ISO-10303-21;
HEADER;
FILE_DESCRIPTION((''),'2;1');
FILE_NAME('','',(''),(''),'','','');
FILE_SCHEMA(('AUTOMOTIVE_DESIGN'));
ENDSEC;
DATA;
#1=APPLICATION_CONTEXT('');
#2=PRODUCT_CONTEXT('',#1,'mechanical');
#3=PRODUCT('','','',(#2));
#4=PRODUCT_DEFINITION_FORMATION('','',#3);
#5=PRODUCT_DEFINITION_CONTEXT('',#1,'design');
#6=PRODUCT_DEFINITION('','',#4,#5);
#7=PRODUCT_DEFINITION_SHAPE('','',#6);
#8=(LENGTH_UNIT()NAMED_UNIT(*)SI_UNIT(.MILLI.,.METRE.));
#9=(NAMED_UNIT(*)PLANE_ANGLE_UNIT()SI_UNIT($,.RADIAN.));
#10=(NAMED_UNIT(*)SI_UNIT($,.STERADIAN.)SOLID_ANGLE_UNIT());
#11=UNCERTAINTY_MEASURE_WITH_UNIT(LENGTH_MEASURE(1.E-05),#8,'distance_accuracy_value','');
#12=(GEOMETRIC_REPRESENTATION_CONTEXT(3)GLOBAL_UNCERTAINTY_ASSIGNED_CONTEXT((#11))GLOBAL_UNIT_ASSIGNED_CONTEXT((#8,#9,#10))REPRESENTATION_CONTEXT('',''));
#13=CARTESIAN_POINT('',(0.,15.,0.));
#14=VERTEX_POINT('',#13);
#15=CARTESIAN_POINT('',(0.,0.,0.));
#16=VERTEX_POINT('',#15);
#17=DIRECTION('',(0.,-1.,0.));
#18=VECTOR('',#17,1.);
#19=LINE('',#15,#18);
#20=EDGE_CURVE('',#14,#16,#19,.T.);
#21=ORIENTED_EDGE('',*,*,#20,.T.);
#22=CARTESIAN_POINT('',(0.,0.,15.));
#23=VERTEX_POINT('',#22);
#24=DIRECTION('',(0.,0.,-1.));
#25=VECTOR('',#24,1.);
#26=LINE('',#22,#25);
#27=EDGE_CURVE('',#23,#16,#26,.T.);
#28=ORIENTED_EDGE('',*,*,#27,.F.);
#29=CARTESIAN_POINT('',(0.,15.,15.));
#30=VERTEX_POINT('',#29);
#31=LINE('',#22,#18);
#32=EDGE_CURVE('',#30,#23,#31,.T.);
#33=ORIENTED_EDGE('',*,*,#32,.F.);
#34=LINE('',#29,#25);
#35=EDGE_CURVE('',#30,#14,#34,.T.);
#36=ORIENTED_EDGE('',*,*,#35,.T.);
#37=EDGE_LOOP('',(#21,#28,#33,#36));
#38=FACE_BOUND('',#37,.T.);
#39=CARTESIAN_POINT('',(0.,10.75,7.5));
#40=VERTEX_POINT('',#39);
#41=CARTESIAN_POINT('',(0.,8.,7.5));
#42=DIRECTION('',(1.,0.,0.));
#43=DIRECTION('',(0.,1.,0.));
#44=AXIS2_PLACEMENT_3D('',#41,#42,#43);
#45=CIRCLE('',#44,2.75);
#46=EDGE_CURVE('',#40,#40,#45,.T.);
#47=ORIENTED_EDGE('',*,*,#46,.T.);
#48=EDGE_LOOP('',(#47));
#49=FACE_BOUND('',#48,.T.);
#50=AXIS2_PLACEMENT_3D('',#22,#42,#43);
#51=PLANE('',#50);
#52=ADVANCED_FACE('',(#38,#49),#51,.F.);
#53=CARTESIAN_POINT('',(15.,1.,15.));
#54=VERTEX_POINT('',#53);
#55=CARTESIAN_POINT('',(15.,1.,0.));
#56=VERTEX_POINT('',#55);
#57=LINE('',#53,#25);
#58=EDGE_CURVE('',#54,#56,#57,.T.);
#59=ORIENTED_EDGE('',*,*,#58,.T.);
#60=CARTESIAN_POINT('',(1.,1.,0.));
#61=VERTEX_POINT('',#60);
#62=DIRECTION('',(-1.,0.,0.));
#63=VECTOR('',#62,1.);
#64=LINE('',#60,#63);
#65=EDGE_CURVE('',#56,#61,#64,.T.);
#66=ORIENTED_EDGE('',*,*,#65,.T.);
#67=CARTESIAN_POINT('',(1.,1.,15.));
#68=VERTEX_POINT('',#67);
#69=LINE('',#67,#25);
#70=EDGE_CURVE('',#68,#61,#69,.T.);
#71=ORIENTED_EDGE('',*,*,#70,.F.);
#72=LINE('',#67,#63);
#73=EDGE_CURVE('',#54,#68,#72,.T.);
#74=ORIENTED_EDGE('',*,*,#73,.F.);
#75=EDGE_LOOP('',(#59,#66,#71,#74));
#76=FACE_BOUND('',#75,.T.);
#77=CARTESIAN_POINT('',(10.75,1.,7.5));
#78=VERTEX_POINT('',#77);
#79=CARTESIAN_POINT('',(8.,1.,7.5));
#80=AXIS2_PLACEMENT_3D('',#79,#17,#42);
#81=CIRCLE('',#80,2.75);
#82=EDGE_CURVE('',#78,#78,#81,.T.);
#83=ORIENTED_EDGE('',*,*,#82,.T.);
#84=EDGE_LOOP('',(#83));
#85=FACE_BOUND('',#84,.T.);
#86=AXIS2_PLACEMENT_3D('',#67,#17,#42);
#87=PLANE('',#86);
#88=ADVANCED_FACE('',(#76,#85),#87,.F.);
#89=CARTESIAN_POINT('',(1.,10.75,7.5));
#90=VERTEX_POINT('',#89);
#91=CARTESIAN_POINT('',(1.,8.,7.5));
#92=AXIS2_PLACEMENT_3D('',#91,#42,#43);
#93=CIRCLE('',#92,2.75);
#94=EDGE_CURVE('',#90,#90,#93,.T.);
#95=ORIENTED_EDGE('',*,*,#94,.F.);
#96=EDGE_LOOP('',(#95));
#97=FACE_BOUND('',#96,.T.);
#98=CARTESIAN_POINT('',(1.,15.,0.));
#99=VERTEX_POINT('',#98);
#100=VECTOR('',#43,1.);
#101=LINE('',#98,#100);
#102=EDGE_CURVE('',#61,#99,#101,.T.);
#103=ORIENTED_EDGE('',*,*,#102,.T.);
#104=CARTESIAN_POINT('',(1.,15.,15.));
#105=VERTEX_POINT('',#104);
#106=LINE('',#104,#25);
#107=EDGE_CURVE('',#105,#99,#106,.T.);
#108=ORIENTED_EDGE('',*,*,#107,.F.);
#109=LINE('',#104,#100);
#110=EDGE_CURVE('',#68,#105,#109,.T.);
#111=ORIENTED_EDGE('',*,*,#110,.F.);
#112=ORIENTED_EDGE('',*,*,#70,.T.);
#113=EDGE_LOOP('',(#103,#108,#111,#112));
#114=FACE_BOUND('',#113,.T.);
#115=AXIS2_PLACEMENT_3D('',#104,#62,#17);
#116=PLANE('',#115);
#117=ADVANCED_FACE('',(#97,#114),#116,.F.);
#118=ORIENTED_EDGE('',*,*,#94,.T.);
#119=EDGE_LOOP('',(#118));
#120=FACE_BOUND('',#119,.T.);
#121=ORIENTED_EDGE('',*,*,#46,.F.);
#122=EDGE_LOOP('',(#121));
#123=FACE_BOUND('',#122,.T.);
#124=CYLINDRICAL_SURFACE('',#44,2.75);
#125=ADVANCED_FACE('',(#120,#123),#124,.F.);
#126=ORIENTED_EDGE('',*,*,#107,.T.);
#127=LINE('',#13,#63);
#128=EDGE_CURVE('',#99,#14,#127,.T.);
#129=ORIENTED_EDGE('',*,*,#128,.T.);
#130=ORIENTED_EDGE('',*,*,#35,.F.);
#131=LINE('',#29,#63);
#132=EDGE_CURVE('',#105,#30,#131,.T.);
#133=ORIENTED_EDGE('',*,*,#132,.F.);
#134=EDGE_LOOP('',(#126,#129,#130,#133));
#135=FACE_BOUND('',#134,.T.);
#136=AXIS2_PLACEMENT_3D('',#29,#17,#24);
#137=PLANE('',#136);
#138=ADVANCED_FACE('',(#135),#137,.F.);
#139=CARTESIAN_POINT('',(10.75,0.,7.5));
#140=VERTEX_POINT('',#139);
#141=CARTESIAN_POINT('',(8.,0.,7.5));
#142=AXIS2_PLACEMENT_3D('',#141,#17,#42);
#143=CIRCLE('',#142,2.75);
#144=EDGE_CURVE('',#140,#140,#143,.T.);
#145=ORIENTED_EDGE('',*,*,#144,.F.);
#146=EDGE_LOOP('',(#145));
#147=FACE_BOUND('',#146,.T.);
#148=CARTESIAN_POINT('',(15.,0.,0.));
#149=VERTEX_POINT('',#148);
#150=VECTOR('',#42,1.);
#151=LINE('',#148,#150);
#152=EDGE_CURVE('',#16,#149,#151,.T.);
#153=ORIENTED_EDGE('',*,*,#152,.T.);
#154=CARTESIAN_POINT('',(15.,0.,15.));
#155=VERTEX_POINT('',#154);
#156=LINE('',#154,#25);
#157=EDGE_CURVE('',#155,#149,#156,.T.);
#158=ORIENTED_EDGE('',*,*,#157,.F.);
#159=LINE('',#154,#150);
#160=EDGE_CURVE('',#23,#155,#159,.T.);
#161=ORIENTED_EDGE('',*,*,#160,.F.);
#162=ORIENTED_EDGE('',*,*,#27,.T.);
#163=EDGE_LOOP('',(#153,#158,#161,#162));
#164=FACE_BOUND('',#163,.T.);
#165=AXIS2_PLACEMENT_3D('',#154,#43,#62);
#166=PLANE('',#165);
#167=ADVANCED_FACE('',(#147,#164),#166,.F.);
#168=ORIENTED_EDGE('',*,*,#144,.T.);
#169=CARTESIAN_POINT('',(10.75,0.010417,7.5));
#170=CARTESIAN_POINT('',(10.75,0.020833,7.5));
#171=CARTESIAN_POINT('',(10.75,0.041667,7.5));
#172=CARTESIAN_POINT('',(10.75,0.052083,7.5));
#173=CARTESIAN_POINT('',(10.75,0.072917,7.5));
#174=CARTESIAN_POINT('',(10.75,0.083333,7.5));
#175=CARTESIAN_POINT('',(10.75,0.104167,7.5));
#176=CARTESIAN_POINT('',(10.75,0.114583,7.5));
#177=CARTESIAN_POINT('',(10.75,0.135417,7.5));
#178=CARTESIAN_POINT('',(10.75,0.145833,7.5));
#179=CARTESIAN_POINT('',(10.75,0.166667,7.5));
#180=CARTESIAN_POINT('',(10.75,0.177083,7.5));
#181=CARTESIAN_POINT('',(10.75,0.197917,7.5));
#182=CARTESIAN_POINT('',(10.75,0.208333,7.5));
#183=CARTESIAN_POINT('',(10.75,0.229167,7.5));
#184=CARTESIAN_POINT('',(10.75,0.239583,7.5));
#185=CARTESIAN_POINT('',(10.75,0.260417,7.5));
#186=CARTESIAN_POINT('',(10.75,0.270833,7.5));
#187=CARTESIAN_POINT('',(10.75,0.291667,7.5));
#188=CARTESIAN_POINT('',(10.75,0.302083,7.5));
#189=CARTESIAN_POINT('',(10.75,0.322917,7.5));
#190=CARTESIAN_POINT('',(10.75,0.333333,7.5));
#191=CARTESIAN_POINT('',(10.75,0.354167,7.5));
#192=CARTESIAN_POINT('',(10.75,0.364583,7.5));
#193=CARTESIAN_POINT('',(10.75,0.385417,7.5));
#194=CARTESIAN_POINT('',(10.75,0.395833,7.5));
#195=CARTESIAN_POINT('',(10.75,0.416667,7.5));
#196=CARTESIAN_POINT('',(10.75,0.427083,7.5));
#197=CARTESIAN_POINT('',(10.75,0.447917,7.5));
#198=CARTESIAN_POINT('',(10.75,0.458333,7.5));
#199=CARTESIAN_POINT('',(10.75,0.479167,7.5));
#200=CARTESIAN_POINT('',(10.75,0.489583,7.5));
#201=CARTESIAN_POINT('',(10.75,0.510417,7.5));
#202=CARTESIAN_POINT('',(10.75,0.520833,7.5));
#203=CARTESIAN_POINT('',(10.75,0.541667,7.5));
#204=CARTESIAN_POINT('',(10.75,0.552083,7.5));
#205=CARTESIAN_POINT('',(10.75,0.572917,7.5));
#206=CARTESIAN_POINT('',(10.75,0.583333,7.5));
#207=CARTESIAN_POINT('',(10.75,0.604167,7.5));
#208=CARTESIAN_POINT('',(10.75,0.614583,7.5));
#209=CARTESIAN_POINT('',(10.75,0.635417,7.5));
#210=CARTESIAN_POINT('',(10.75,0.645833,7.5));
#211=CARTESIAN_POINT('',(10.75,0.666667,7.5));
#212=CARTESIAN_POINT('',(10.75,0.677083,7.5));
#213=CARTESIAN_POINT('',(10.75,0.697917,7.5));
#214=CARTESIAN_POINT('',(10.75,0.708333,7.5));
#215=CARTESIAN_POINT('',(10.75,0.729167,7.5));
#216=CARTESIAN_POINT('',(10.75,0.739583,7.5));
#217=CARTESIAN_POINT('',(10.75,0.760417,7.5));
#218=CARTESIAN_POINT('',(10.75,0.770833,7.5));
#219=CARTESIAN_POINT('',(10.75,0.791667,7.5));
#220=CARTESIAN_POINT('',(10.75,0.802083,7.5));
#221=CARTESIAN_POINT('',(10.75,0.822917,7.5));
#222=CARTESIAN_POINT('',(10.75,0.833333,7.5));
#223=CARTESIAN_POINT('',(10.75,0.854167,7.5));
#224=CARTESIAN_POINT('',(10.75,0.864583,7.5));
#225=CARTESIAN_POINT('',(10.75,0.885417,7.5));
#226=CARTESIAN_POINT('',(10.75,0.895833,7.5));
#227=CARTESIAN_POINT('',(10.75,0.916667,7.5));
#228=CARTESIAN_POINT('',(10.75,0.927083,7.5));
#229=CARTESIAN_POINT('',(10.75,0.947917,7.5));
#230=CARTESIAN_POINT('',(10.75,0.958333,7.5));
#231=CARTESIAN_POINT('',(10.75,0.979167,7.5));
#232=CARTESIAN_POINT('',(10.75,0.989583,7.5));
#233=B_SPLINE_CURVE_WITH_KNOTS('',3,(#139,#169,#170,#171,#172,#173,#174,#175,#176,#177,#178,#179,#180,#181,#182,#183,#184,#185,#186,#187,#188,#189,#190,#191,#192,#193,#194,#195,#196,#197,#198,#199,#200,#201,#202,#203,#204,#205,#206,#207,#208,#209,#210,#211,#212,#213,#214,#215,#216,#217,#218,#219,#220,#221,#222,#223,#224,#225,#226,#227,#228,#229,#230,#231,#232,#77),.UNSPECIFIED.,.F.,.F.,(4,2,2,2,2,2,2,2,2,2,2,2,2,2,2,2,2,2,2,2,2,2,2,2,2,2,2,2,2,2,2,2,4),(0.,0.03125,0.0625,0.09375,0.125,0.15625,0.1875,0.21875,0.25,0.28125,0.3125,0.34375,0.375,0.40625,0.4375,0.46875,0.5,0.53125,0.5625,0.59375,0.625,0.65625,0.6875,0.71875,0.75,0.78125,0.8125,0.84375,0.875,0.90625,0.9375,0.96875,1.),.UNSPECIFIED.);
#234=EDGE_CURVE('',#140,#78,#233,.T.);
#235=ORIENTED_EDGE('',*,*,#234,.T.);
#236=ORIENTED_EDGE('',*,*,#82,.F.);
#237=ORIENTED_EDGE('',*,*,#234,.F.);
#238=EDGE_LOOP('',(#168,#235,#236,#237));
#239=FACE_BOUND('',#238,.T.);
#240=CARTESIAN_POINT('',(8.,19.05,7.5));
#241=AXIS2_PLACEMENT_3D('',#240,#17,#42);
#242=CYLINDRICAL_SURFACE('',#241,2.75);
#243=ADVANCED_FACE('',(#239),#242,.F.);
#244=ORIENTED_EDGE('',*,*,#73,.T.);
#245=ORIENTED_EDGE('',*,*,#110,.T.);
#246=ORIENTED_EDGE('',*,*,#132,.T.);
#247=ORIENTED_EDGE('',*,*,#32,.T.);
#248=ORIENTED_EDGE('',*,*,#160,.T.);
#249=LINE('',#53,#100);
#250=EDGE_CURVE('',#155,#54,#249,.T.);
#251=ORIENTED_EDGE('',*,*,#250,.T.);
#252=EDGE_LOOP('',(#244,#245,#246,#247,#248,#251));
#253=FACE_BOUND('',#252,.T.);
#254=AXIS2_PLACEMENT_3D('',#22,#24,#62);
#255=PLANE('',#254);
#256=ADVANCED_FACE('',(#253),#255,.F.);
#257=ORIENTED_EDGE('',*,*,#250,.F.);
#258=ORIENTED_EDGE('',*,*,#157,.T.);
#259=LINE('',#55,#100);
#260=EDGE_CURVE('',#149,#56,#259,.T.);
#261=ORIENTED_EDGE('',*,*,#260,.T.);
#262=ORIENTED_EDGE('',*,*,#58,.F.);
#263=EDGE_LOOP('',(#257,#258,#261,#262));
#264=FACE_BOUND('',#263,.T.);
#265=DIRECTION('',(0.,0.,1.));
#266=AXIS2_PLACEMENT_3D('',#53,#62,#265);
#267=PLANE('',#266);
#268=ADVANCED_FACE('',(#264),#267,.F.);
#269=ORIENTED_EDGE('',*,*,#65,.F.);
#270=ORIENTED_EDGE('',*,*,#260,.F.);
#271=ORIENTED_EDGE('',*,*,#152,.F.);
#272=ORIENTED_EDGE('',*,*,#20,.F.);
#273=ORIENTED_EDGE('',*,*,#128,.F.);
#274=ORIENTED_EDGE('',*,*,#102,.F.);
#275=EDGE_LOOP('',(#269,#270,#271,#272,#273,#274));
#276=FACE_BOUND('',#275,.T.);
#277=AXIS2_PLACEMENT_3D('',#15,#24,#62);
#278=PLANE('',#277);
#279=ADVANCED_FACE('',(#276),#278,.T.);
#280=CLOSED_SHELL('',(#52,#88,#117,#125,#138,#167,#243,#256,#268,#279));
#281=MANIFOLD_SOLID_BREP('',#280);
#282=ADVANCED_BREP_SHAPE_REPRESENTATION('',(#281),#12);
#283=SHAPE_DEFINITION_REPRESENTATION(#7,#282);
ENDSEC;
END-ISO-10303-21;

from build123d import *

# Parameters (mm, degrees)
BOSS_EXTRUDE1_DEPTH = 15
SKETCH2_R           = 2.75
CUT_EXTRUDE1_DEPTH  = 19.05
SKETCH3_R           = 2.75
CUT_EXTRUDE2_DEPTH  = 26.416530054


with BuildPart() as part:
    # Sketch1 → Boss-Extrude1 (new body)
    with BuildSketch(Plane.XY):
        Polygon((0, 0), (0, 15), (1, 15), (1, 1), (15, 1), (15, 0), align=None)
    extrude(amount=BOSS_EXTRUDE1_DEPTH)

    # Sketch2 → Cut-Extrude1 (cut)
    with BuildSketch(Plane(origin=(0, 0, 0), x_dir=(-1, 0, 0), z_dir=(0, -1, 0))):
        with Locations(Location((-8, -7.5, 0), (0, 0, 180))):
            Circle(SKETCH2_R)
    extrude(amount=-CUT_EXTRUDE1_DEPTH, mode=Mode.SUBTRACT)

    # Sketch3 → Cut-Extrude2 (cut, through all)
    with BuildSketch(Plane(origin=(1, 0, 0), x_dir=(0, 0, -1), z_dir=(1, 0, 0))):
        with Locations(Location((-7.5, 8, 0), (0, 0, 90))):
            Circle(SKETCH3_R)
    extrude(amount=-CUT_EXTRUDE2_DEPTH, mode=Mode.SUBTRACT)


solid = part.part
